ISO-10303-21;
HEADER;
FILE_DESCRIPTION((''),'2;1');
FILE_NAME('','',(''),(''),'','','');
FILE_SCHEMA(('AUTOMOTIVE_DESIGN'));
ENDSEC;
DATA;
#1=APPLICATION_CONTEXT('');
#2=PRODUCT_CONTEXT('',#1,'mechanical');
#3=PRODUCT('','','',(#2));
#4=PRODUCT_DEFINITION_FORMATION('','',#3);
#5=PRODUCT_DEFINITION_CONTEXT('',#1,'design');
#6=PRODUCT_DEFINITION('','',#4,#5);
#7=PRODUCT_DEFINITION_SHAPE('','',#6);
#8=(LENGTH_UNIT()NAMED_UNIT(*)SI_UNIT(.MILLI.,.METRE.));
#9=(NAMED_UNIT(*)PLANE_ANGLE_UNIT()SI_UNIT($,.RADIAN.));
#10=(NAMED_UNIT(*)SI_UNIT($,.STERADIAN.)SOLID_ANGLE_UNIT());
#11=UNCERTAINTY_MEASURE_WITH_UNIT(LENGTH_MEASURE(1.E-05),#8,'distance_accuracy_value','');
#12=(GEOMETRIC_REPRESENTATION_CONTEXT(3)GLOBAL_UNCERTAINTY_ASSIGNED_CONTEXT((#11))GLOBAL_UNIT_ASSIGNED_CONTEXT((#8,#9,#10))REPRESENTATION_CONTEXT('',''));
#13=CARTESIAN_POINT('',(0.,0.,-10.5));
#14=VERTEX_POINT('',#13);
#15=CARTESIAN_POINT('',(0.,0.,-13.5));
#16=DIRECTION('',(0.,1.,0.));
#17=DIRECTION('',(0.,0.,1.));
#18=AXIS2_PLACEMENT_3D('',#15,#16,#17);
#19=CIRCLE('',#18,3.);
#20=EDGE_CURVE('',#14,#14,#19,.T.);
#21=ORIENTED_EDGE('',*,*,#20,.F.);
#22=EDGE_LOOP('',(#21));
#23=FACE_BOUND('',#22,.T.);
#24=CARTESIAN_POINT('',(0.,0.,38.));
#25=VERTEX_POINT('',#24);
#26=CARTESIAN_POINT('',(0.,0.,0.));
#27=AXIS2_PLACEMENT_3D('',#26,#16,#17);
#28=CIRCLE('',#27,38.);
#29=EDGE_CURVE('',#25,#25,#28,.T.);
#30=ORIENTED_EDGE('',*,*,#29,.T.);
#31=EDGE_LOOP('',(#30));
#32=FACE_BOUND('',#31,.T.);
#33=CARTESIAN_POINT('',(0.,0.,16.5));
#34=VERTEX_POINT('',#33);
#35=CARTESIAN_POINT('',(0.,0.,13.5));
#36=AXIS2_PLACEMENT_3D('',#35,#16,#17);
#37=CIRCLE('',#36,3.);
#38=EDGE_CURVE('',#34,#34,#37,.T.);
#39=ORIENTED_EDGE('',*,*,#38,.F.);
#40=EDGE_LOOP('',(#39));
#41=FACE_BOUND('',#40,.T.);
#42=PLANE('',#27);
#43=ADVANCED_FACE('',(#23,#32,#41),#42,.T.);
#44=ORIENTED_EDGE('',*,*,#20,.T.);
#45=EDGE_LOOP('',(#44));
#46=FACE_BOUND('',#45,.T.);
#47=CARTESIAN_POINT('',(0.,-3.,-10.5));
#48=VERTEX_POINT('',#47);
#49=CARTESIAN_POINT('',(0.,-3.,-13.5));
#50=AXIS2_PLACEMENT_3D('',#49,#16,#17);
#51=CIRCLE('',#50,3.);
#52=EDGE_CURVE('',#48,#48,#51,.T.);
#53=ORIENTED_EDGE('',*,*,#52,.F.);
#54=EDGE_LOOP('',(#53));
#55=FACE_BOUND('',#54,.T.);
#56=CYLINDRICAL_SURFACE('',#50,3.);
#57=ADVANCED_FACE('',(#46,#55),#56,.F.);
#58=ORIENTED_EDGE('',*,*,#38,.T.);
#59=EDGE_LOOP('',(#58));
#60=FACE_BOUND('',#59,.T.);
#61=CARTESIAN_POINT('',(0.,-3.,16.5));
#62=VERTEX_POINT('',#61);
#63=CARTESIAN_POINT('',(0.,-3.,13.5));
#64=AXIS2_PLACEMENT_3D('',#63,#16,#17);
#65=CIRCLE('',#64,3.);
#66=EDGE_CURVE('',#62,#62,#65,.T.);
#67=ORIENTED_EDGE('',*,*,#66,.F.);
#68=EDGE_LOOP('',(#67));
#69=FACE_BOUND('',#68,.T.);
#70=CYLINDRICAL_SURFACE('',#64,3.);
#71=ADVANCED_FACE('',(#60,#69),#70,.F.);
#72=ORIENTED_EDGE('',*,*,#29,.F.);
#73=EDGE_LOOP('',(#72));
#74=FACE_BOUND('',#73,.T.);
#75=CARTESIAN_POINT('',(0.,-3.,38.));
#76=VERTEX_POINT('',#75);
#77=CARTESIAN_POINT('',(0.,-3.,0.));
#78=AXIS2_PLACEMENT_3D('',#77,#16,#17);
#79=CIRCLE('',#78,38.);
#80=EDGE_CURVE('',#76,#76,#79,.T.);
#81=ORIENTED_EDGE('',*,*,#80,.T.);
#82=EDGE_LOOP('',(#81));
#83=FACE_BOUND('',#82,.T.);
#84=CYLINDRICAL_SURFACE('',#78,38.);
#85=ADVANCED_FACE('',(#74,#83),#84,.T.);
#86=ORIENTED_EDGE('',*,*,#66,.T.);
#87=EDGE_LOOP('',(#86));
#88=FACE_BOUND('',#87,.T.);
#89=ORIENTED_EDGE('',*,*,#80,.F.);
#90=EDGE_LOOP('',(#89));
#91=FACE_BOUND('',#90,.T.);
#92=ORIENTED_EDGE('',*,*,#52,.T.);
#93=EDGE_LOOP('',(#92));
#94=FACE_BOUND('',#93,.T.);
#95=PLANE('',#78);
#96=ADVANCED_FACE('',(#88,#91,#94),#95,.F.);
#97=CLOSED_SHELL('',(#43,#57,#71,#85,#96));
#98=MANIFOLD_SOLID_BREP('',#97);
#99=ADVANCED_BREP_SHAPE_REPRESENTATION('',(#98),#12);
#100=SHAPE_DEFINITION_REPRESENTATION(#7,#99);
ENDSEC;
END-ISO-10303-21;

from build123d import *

# Parameters (mm, degrees)
SKETCH1_R           = 38
SKETCH1_R_2         = 3
BOSS_EXTRUDE1_DEPTH = 3


with BuildPart() as part:
    # Sketch1 → Boss-Extrude1 (new body)
    with BuildSketch(Plane(origin=(0, 0, 0), x_dir=(1, 0, 0), z_dir=(0, 1, 0))):
        with Locations(Location((0, 0, 0), (0, 0, 270))):
            Circle(SKETCH1_R)
        with Locations(Location((0, 13.5, 0), (0, 0, 270))):
            Circle(SKETCH1_R_2, mode=Mode.SUBTRACT)
        with Locations(Location((0, -13.5, 0), (0, 0, 270))):
            Circle(SKETCH1_R_2, mode=Mode.SUBTRACT)
    extrude(amount=-BOSS_EXTRUDE1_DEPTH)


solid = part.part
